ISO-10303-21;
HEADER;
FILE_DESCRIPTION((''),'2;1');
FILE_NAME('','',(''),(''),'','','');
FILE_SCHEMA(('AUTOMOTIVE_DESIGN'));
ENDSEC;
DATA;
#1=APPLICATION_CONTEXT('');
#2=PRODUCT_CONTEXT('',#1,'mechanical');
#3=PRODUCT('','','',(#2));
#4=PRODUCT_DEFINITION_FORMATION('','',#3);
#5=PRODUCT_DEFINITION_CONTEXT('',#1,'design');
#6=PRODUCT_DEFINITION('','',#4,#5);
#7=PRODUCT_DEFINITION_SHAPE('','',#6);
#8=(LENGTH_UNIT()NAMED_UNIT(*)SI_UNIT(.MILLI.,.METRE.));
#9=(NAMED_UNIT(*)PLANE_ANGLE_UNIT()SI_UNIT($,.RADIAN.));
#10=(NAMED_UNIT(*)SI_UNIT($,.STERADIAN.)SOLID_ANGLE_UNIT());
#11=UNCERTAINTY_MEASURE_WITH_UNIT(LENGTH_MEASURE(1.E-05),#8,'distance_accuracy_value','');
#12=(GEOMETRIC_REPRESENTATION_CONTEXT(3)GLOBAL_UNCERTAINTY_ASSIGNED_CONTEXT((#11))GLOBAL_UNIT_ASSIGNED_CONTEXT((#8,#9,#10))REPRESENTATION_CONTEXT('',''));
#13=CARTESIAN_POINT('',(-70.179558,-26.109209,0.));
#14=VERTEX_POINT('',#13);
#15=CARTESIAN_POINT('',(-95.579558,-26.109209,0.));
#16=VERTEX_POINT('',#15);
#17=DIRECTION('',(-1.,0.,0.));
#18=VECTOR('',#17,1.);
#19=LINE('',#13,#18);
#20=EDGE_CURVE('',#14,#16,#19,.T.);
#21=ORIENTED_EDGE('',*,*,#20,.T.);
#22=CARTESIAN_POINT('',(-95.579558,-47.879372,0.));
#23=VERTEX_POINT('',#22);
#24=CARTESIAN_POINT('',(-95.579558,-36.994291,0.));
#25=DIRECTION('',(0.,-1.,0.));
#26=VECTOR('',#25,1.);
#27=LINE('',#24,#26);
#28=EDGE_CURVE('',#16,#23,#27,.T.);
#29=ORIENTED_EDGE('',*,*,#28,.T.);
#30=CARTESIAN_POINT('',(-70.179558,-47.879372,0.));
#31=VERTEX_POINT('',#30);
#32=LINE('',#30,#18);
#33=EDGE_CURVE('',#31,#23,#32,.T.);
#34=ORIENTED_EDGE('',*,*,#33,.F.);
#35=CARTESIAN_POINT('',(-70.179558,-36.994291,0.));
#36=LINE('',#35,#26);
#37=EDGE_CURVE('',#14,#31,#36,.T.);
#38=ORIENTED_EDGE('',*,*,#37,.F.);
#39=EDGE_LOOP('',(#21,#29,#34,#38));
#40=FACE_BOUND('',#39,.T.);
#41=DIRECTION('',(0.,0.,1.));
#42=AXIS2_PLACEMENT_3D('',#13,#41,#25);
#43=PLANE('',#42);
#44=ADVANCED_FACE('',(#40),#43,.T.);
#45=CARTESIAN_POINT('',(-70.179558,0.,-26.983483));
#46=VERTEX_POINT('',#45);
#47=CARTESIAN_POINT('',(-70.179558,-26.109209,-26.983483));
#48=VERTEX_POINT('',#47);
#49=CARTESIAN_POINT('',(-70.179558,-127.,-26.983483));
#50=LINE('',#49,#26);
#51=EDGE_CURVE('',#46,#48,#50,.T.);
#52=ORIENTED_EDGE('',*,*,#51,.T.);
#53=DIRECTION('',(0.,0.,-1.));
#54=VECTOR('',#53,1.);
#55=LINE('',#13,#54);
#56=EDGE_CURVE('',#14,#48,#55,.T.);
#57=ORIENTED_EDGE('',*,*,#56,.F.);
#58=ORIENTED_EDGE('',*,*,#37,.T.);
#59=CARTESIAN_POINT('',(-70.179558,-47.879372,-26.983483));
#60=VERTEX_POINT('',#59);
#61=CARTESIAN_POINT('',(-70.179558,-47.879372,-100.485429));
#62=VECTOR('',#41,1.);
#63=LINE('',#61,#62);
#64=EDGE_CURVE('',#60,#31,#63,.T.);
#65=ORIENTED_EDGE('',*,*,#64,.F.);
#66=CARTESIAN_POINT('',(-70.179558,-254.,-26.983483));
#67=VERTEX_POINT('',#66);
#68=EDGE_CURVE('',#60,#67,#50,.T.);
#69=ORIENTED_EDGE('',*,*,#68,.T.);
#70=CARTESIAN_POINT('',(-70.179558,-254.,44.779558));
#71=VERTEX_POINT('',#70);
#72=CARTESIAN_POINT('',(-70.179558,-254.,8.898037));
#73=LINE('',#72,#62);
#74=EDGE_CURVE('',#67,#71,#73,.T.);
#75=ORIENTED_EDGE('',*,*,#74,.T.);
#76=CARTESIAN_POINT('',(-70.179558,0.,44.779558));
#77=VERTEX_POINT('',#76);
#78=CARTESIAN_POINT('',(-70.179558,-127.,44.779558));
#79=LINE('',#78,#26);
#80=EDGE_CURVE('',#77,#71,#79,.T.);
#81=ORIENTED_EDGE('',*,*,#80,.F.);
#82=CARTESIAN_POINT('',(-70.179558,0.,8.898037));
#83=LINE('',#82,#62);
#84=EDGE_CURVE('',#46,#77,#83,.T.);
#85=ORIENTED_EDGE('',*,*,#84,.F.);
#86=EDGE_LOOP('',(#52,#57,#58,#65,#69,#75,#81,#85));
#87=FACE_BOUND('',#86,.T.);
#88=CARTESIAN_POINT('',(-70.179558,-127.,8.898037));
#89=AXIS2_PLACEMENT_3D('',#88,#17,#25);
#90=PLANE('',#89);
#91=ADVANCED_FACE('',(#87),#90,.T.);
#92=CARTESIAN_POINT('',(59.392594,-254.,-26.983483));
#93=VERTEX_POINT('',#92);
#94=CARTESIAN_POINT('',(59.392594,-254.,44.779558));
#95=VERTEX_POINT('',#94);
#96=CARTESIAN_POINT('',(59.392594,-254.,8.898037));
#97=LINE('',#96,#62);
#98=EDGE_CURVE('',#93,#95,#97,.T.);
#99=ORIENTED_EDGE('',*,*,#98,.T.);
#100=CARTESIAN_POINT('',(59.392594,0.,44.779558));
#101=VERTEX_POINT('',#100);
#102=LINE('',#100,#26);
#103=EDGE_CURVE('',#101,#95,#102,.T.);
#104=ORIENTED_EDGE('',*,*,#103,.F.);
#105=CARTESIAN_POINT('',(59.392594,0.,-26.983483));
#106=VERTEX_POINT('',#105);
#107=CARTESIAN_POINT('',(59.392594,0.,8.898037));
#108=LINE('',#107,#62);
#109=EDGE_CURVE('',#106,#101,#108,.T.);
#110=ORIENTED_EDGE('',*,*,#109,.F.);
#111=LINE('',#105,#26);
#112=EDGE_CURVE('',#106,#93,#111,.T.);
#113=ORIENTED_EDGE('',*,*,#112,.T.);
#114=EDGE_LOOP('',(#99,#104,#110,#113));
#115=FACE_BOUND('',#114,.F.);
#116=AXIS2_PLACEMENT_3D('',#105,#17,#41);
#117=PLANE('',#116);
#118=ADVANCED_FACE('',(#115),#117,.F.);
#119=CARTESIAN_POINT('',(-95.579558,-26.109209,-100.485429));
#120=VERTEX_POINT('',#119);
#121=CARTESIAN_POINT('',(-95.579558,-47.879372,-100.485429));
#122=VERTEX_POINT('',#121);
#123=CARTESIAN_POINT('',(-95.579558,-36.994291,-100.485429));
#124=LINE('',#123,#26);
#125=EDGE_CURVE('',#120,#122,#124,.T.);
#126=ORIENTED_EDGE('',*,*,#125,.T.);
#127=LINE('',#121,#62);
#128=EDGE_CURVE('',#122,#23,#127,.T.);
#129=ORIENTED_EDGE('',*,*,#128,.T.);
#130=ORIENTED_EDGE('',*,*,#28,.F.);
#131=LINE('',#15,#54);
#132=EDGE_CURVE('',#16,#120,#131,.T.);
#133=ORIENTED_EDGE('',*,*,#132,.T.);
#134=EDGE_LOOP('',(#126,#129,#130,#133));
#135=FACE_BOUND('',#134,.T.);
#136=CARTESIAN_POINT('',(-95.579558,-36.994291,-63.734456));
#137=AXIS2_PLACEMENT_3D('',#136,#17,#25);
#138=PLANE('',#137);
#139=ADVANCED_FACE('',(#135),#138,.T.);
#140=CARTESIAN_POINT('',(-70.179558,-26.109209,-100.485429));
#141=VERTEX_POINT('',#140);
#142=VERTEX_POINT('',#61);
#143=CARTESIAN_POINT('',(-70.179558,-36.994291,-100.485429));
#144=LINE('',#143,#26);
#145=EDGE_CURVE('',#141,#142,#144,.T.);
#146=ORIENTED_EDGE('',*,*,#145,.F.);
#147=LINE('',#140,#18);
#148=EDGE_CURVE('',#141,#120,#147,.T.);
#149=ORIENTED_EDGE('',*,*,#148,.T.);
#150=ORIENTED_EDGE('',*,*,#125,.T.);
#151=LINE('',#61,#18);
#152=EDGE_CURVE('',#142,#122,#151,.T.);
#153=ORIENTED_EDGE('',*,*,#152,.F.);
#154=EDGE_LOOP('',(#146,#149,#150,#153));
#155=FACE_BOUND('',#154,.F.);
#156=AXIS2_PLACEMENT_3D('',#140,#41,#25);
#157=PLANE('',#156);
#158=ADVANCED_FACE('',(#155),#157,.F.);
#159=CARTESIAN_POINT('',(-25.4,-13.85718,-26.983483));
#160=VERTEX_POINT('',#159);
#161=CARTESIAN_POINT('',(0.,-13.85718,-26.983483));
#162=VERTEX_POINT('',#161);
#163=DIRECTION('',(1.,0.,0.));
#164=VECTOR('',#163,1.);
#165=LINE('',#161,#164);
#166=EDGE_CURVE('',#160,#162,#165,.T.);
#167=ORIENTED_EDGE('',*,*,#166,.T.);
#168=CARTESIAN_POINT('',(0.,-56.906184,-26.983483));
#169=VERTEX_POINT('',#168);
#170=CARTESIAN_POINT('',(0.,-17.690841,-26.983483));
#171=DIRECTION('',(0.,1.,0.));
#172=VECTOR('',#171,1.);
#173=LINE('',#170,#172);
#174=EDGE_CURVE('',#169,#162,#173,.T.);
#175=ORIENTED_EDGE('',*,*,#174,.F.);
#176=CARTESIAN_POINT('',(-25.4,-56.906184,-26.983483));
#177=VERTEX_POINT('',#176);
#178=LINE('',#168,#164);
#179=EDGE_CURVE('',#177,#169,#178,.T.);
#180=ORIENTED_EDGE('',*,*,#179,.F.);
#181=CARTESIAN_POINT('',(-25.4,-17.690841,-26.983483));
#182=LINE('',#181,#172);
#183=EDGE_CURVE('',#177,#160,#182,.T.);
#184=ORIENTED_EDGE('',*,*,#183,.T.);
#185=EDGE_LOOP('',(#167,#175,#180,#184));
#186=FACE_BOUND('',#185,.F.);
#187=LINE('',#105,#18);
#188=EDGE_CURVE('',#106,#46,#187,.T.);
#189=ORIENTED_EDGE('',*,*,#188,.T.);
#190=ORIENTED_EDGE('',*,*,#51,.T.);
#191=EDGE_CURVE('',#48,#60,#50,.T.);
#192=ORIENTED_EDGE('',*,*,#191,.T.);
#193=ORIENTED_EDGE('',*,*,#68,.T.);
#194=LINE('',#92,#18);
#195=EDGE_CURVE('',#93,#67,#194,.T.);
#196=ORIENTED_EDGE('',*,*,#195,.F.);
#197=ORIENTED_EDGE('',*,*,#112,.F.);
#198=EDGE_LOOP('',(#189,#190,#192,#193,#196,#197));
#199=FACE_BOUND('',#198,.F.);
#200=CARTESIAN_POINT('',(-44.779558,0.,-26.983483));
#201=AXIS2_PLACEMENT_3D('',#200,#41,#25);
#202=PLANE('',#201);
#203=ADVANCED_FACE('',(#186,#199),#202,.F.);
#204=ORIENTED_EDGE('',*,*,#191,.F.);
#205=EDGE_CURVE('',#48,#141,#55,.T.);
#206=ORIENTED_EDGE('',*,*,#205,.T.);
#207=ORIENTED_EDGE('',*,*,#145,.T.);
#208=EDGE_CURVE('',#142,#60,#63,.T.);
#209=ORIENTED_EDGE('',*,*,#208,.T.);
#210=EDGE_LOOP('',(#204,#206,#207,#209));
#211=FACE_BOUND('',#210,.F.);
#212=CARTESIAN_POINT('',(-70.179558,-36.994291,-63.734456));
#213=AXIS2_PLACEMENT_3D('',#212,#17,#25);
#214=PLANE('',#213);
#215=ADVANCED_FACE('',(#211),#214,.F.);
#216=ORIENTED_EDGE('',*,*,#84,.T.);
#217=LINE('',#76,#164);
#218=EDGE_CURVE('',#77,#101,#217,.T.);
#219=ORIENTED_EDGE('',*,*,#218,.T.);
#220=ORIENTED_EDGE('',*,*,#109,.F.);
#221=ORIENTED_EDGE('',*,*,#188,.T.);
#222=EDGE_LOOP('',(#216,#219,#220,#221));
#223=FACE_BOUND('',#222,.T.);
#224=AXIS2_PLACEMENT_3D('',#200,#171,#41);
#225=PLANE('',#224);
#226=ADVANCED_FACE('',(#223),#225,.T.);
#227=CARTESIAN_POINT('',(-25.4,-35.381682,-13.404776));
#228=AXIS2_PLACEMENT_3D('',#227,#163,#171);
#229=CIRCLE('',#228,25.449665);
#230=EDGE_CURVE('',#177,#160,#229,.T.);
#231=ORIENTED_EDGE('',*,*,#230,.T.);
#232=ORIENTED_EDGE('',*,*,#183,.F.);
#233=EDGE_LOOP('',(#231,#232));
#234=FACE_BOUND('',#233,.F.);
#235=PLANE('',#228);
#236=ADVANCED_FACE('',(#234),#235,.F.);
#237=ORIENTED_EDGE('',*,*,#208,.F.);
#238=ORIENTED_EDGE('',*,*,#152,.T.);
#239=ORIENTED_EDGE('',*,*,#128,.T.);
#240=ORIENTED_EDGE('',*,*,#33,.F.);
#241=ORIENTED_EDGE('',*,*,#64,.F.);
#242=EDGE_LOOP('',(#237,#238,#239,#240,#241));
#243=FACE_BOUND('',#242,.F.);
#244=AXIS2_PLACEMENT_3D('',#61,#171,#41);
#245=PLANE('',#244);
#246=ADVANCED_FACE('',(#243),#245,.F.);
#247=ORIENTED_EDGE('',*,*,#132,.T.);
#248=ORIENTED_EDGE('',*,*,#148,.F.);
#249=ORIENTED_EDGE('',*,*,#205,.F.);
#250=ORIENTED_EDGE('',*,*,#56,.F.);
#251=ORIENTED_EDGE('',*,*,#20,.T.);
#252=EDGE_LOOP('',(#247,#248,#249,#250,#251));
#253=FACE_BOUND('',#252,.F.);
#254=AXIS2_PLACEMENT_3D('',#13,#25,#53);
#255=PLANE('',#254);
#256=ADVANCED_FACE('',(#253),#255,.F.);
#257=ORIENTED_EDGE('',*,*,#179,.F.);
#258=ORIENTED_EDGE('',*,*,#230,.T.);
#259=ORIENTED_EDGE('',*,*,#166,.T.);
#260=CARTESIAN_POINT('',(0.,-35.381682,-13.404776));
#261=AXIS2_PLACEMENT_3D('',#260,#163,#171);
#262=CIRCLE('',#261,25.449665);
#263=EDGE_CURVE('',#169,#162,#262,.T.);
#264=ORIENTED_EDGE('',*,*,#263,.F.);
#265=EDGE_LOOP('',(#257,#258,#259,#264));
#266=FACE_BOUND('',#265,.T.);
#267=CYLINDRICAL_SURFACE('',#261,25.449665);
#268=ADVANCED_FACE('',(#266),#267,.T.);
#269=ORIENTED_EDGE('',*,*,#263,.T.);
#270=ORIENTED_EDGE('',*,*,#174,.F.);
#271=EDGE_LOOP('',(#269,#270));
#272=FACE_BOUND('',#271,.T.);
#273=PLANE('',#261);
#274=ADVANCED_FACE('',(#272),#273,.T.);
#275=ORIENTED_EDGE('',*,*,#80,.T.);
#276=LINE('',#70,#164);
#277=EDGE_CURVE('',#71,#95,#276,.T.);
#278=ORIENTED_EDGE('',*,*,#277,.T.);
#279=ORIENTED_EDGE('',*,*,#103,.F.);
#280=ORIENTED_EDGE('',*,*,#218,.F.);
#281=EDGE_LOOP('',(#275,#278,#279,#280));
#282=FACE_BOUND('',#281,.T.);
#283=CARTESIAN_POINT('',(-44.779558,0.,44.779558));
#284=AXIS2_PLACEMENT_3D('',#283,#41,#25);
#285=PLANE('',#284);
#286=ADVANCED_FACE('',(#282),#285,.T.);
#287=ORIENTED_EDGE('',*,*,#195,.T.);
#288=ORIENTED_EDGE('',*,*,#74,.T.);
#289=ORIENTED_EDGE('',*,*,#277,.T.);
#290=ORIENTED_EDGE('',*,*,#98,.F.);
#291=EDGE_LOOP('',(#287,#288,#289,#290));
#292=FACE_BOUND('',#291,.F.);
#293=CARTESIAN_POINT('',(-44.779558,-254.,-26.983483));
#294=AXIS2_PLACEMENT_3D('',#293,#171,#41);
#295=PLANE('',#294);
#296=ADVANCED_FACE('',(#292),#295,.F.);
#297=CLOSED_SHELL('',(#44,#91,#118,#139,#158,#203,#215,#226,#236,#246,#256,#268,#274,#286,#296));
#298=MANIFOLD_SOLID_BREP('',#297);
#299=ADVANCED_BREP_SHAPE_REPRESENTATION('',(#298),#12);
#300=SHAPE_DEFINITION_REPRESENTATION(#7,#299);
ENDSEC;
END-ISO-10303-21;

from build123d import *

# Parameters (mm, degrees)
F0_W      = 104.1721515357
F0_H      = 71.7630404979
F1_DEPTH  = 254
F1_FACE_W = 254
F1_FACE_H = 71.7630404979
F2_R      = 25.449665143
F2_R_2    = 11.4170803912
F3_DEPTH  = 25.4
F4_W      = 21.7701625079
F4_H      = 73.5019464046
F4_H_2    = 26.9834827632
F5_DEPTH  = 25.4


with BuildPart() as f1:
    # F0 (on Front) → F1 (new body)
    with BuildSketch(Plane.XZ):
        with Locations((7.3065180331, 8.8980374858)):
            Rectangle(F0_W, F0_H)
    extrude(amount=F1_DEPTH)

    # F1_face (on face) + F2 (on Right) → F3 (join)
    with BuildSketch(Plane(origin=(-44.7795577347, -127, 8.8980374858), x_dir=(0, -1, 0), z_dir=(-1, 0, 0))):
        Rectangle(F1_FACE_W, F1_FACE_H)
    with BuildSketch(Plane.YZ):
        with Locations((-35.3816822171, -13.4047763422)):
            Circle(F2_R)
        with Locations((-35.3816822171, -13.4047763422)):
            Circle(F2_R_2, mode=Mode.SUBTRACT)
    extrude(amount=F3_DEPTH, dir=(-1, 0, 0))

    # F4 (on face) → F5 (join)
    with BuildSketch(Plane(origin=(-70.1795577347, 0, 0), x_dir=(0, -1, 0), z_dir=(-1, 0, 0))):
        with Locations((36.9942905381, -63.7344559655)):
            Rectangle(F4_W, F4_H)
        with Locations((36.9942905381, -13.4917413816)):
            Rectangle(F4_W, F4_H_2)
    extrude(amount=F5_DEPTH)


solid = f1.part
